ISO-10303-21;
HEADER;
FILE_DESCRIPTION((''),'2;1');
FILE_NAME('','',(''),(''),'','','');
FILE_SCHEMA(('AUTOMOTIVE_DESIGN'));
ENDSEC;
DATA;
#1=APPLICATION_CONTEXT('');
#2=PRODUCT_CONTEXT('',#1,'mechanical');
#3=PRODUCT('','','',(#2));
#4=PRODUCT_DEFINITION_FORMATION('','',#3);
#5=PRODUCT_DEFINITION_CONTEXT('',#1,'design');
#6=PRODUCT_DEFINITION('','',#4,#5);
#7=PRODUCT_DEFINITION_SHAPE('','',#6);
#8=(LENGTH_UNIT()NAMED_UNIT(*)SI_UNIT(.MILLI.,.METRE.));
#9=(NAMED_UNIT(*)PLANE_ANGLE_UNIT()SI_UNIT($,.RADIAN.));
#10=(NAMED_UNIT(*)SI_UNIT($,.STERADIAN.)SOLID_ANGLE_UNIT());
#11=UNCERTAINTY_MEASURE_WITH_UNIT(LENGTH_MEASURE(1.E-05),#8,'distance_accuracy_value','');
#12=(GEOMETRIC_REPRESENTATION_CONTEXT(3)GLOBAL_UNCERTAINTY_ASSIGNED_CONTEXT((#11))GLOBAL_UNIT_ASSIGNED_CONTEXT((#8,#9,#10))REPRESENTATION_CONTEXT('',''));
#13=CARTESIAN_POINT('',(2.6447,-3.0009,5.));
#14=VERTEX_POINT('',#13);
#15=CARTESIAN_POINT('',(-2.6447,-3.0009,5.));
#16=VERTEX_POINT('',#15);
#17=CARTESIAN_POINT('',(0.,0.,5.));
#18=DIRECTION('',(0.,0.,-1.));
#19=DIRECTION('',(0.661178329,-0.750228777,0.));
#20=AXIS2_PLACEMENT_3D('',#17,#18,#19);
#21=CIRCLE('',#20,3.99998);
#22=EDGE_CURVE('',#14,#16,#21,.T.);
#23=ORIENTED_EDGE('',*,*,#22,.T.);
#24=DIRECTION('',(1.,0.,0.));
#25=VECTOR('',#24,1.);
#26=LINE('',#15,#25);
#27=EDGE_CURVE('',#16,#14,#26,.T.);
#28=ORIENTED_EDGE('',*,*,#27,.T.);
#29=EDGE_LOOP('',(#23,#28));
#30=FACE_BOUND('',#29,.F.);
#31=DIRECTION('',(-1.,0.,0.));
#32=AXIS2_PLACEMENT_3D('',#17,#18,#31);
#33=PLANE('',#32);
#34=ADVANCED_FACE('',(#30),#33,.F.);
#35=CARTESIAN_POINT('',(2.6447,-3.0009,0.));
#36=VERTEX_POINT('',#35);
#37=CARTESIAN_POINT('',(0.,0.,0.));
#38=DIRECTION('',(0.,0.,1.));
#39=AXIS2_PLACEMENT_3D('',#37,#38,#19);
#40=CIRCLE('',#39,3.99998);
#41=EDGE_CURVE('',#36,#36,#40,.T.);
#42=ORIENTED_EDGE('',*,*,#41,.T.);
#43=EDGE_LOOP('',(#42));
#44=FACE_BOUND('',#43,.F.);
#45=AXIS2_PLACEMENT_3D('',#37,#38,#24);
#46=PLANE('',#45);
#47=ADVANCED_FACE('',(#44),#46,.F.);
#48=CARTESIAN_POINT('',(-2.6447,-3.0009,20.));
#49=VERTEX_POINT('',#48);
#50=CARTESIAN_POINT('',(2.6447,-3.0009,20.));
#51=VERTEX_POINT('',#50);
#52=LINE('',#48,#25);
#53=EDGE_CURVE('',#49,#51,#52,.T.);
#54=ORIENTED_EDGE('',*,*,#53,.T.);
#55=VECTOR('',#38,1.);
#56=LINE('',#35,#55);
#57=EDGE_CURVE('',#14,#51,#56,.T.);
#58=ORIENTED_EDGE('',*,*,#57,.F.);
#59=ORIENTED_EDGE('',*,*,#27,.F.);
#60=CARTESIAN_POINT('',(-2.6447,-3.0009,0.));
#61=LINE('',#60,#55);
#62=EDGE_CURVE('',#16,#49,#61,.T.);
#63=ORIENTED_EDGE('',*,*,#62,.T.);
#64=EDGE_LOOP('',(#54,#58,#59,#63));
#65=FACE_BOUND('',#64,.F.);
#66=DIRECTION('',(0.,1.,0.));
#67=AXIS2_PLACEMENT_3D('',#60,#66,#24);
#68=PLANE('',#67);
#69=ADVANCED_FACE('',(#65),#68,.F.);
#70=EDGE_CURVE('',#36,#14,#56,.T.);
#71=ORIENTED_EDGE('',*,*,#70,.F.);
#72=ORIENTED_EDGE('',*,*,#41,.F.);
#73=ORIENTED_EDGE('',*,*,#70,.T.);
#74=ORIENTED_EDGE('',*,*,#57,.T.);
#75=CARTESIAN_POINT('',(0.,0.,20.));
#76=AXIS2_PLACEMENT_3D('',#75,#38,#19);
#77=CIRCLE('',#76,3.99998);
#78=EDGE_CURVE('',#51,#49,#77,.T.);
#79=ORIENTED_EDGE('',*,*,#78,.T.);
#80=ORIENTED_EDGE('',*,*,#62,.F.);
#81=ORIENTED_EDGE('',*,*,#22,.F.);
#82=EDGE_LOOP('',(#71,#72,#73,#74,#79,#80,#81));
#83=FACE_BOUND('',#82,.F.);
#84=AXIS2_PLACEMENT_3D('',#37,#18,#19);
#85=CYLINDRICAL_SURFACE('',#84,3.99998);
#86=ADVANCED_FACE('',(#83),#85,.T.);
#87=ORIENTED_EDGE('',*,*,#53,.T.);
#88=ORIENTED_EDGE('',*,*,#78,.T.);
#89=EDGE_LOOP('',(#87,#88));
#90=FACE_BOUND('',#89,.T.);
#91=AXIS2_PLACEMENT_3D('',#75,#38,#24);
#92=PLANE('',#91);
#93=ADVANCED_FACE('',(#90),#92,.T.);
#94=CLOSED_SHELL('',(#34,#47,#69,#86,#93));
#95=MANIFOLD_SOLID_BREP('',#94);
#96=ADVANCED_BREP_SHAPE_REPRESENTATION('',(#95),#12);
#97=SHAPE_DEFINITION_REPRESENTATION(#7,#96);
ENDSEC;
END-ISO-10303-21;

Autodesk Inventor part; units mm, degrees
ref_plane "YZ Plane" through (0, 0, 0) normal (1, 0, 0) x (0, 1, 0)
ref_plane "XZ Plane" through (0, 0, 0) normal (0, 1, 0) x (-1, 0, 0)
ref_plane "XY Plane" through (0, 0, 0) normal (0, 0, 1) x (1, 0, 0)
sketch "Sketch1" plane through (0, 0, 0) normal (0, 0, 1) x (1, 0, 0)
  arc A0 (2.6447, -3.0009) -> (-2.6447, -3.0009) centre (0, 0) ccw
  line L0 (0, 0) -> (-2.6447, -3.0009) construction
  line L1 (0, 0) -> (4, 0) construction
  line L2 (0, 0) -> (2.6447, -3.0009) construction
  line L3 (-2.6447, -3.0009) -> (2.6447, -3.0009)
  dimension "d3" = 4
  dimension "d4" = 131.39
  dimension "d5" = 82.78
extrude "Extrusion1" add sketch "Sketch1" along normal blind 20
sketch "Sketch2" plane through (0, 0, 0) normal (0, 0, -1) x (-1, 0, 0)
  line L0 (2.6447, -3.0009) -> (-2.6447, -3.0009) projected
  arc A0 (2.6447, -3.0009) -> (-2.6447, -3.0009) centre (0, 0) ccw projected
  arc A1 (-2.6447, -3.0009) -> (2.6447, -3.0009) centre (0, 0) ccw
  line L1 (-2.6447, -3.0009) -> (2.6447, -3.0009)
extrude "Extrusion2" add sketch "Sketch2" against normal blind 5 contours A1 L0
properties part number "shaft"
